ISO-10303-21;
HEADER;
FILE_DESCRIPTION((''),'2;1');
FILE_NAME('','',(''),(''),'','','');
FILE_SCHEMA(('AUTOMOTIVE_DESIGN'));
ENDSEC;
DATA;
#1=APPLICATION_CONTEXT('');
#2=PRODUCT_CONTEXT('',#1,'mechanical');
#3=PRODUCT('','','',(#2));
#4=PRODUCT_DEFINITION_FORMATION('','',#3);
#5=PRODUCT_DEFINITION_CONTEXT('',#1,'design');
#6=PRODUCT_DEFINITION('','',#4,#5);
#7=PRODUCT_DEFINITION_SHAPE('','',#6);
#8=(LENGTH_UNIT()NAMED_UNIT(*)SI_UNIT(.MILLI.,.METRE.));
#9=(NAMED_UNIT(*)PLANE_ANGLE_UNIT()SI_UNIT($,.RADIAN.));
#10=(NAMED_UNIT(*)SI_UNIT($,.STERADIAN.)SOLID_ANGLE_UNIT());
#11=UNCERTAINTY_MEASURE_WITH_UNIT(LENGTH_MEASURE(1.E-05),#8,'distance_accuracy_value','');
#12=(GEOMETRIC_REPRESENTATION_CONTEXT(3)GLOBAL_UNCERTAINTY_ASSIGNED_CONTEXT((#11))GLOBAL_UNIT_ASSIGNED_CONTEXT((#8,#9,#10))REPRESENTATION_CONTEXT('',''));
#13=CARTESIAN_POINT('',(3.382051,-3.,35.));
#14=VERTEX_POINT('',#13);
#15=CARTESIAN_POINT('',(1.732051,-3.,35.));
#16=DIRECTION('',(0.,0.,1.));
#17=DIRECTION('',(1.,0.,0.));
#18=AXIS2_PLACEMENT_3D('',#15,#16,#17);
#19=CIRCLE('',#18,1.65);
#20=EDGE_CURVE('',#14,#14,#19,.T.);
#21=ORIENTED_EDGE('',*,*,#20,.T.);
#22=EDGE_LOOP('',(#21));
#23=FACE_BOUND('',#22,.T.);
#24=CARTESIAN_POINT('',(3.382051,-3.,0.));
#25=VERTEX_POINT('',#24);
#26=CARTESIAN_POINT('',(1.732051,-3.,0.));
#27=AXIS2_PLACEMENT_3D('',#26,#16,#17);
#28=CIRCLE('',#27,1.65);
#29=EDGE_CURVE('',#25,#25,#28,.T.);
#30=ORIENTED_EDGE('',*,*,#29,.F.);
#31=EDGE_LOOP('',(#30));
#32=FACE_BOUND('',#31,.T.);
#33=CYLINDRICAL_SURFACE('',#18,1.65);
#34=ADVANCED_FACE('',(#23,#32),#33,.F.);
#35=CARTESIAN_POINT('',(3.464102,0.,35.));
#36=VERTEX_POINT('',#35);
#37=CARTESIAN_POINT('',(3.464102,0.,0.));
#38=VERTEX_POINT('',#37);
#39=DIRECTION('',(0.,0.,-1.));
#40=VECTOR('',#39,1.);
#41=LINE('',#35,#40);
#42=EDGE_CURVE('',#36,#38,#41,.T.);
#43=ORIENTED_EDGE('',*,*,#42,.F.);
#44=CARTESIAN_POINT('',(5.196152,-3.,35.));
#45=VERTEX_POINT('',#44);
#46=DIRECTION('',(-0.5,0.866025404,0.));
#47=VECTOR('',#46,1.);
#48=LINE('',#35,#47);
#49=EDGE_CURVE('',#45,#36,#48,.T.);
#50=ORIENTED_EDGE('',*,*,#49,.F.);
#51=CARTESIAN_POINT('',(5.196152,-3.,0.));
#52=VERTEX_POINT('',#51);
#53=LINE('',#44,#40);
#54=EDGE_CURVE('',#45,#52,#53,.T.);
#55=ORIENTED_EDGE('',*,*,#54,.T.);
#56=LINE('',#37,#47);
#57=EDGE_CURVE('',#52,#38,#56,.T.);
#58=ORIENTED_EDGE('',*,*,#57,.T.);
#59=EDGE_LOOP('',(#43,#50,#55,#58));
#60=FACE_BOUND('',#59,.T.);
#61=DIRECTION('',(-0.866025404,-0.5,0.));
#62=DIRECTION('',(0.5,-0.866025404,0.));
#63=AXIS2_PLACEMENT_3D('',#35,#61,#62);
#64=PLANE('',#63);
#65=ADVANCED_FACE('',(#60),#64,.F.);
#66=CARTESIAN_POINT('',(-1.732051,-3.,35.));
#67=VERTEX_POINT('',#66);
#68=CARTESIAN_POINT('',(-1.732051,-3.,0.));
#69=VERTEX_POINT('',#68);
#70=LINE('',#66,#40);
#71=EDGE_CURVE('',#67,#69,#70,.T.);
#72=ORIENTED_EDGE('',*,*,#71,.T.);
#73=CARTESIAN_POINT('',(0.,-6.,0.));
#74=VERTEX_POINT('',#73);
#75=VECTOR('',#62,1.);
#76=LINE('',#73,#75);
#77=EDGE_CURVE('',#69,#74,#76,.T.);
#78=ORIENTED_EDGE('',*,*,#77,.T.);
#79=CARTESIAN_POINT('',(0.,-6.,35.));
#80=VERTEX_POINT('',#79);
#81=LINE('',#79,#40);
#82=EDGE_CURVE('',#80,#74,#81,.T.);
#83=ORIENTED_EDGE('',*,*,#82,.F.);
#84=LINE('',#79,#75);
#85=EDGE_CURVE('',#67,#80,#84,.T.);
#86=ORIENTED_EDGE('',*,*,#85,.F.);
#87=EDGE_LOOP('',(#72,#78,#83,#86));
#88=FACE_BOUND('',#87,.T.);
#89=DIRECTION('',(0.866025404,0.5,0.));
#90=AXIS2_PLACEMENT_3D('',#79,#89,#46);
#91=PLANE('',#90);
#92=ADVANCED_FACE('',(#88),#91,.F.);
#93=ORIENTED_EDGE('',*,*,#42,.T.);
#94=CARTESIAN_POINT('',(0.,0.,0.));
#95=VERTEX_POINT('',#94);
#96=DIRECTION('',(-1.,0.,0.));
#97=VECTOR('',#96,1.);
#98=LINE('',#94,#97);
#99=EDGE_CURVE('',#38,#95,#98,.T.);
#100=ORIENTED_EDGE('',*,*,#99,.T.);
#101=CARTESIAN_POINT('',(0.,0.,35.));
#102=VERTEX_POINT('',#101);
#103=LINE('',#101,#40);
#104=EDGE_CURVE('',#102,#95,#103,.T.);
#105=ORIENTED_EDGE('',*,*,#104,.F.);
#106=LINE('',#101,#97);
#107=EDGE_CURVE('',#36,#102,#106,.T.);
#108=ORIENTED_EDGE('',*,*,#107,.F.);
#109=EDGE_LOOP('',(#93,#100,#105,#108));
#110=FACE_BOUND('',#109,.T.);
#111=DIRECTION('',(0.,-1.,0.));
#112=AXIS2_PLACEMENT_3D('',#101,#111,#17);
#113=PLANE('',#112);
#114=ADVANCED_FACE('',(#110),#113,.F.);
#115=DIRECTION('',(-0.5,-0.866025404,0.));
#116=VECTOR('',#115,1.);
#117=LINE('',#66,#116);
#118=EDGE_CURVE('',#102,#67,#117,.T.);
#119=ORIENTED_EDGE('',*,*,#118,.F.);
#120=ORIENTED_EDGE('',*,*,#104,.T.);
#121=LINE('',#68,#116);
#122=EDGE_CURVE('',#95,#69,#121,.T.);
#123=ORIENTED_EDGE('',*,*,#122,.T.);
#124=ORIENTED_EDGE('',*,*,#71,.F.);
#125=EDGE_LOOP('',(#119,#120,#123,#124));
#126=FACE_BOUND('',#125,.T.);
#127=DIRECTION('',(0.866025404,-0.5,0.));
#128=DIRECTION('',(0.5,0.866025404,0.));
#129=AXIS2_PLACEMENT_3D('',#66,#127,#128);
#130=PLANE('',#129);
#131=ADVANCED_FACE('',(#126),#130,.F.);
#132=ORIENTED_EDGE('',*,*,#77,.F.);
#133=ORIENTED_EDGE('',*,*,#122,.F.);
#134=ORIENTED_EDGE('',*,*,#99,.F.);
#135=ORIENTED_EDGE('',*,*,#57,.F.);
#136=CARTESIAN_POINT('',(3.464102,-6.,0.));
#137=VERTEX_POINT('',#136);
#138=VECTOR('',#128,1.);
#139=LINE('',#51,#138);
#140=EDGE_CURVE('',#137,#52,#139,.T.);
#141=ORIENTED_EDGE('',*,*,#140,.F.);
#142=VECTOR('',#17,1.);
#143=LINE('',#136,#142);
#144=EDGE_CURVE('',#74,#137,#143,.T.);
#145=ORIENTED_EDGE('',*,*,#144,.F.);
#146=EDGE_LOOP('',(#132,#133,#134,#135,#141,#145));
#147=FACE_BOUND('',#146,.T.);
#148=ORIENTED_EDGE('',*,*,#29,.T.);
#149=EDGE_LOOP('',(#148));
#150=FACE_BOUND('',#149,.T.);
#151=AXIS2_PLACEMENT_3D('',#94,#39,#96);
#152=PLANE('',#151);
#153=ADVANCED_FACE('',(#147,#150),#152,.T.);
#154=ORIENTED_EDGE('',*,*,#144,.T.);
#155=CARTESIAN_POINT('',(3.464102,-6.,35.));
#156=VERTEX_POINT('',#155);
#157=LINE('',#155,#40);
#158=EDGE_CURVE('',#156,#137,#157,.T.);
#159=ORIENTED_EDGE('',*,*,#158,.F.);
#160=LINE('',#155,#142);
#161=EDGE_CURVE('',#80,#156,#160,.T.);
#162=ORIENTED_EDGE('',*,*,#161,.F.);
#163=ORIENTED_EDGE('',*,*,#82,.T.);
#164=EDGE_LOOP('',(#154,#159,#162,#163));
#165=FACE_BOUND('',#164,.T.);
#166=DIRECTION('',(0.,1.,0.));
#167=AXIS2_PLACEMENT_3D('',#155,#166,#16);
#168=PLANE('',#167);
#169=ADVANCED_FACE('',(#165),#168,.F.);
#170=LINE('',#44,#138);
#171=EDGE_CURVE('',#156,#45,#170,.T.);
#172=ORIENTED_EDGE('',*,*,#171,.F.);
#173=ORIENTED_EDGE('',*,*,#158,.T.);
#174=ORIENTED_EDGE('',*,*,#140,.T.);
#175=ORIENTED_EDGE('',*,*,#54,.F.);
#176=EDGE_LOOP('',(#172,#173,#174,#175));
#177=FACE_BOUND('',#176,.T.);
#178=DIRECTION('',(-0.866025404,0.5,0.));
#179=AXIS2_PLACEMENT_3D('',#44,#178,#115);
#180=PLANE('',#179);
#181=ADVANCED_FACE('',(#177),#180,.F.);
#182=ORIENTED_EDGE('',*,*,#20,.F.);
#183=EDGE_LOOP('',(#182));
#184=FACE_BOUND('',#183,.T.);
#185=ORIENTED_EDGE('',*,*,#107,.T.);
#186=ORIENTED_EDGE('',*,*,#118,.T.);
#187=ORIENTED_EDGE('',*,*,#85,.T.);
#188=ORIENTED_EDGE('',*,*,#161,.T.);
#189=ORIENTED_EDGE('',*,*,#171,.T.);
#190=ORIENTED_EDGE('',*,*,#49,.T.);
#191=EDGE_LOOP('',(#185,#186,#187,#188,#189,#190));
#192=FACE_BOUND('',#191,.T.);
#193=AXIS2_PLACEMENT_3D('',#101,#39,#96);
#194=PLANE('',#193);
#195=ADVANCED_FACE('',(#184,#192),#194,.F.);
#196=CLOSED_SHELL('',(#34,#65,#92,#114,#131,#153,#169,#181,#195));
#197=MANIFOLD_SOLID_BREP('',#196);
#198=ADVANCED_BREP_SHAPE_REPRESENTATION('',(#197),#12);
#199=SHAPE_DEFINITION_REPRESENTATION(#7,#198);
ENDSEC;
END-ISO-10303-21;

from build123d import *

# Parameters (mm, degrees)
EXTRUDE_1_DEPTH    = 35
HOLE_WIZARD_M4_1_D = 3.3


with BuildPart() as part:
    # 草图1 → 凸台-拉伸1 (new body)
    with BuildSketch(Plane.XY):
        Polygon((0, 0), (3.464101615, 0), (5.196152423, -3), (3.464101615, -6), (0, -6), (-1.732050808, -3), align=None)
    extrude(amount=EXTRUDE_1_DEPTH)

    # M4 螺纹孔1 (through all)
    with Locations(Plane.XY.offset(35)):
        with Locations((1.732050808, -3)):
            Hole(HOLE_WIZARD_M4_1_D / 2)


solid = part.part
